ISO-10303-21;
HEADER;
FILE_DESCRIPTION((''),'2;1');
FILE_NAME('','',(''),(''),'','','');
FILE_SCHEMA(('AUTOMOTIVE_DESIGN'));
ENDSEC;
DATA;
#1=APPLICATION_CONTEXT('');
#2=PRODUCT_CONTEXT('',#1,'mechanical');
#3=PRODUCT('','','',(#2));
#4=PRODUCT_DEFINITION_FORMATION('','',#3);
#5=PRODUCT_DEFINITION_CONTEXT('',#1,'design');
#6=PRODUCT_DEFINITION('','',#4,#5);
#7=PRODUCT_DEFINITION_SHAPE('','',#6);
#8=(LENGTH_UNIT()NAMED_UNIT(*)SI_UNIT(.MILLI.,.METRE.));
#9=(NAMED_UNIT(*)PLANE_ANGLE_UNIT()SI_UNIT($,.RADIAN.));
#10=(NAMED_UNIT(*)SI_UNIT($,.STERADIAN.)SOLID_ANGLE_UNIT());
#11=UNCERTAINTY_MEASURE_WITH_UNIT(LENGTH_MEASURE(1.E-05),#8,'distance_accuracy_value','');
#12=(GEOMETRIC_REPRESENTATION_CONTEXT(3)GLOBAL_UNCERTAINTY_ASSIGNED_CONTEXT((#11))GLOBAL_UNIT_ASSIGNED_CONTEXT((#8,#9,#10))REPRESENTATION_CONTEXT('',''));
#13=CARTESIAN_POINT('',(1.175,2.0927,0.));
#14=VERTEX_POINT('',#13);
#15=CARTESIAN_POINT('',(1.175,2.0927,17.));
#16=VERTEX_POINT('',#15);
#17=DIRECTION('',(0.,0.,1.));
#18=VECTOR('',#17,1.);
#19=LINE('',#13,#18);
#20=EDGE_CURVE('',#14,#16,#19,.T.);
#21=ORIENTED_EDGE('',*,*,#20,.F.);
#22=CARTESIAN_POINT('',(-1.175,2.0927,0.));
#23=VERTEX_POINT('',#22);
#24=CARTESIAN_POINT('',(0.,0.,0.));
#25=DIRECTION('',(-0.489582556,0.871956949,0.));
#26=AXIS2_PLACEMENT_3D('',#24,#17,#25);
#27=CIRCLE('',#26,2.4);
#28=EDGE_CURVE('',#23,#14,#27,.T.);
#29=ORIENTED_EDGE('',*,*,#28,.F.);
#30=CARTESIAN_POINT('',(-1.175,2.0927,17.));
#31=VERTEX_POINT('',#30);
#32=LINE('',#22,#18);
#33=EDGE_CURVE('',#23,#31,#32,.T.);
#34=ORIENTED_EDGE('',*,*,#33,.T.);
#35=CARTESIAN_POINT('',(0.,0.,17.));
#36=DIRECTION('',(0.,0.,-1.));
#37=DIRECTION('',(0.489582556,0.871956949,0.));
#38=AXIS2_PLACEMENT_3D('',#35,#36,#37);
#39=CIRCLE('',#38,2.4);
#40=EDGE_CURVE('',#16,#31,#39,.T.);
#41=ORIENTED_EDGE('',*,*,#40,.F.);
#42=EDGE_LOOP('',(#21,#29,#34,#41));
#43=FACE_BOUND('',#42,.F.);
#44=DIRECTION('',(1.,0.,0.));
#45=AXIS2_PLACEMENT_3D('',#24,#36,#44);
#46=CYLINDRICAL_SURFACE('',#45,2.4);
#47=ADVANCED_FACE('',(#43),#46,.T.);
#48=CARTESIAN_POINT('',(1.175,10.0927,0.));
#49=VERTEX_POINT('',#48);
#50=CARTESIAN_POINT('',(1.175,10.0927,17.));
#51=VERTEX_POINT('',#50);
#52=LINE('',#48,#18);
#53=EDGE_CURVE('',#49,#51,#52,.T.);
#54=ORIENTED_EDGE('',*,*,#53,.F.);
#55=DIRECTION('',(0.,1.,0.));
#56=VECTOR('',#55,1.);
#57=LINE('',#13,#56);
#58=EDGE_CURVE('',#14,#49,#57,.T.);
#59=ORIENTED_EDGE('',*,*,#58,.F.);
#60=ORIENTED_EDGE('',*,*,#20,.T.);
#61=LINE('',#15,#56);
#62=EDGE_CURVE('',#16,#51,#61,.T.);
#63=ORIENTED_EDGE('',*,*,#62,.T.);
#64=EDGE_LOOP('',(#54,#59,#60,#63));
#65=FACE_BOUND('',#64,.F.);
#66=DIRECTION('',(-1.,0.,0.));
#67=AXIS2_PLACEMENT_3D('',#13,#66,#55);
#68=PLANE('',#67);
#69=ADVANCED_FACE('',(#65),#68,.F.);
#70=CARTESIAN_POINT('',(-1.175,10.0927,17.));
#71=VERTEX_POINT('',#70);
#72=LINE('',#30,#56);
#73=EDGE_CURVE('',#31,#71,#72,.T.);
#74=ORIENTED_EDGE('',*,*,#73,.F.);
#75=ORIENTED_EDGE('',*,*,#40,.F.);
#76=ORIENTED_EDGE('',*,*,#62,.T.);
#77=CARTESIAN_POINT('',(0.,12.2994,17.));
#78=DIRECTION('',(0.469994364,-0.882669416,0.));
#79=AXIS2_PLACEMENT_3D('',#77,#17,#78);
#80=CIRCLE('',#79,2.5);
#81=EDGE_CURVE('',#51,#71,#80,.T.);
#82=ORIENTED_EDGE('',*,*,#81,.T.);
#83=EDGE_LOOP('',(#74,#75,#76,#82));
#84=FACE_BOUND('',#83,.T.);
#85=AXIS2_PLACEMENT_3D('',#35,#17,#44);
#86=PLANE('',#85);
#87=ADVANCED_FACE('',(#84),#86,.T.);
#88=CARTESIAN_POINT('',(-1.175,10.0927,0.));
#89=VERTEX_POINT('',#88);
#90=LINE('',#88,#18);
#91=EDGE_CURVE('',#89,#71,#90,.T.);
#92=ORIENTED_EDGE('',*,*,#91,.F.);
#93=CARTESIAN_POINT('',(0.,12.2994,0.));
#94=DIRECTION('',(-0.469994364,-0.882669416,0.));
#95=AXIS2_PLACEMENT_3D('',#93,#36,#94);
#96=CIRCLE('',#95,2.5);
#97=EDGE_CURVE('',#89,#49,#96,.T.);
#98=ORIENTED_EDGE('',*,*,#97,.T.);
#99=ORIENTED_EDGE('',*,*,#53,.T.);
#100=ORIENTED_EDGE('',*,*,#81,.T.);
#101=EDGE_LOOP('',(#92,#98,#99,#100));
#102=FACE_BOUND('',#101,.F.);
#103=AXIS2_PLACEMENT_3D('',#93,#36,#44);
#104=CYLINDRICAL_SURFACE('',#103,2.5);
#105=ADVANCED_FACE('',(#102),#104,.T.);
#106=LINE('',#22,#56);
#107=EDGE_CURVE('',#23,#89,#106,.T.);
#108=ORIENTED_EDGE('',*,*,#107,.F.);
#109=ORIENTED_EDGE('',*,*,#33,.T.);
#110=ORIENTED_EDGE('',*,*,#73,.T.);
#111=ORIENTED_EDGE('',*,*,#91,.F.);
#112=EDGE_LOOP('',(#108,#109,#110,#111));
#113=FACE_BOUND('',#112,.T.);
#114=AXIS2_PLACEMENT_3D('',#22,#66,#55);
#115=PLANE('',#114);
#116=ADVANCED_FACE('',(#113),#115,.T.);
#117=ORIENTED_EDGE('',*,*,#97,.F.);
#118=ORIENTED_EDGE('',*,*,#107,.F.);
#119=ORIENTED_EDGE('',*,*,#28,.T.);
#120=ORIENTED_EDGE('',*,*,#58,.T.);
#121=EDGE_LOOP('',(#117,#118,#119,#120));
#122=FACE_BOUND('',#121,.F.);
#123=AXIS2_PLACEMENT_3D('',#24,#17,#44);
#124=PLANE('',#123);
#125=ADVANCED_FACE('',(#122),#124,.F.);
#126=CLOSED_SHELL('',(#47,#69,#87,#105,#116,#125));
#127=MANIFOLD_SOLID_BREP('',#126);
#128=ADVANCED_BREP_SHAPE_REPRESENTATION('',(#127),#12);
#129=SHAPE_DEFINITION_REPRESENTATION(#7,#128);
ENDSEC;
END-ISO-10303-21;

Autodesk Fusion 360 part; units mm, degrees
sketch "Sketch1" plane through (0, 0, 0) normal (0, 0, 1) x (1, 0, 0)
  circle A0 centre (0, 0) radius 2.4
  line L0 (-1.175, 2.0927) -> (-1.175, 10.0927)
  line L1 (1.175, 2.0927) -> (1.175, 10.0927)
  circle A1 centre (0, 12.2994) radius 2.5
  dimension "d1" = 4.8
  dimension "d3" = 2.35
  dimension "d4" = 1.175
  dimension "d5" = 5
  dimension "d6" = 8
  dimension "d7" = 8
extrude "Extrude1" add sketch "Sketch1" along normal blind 17
